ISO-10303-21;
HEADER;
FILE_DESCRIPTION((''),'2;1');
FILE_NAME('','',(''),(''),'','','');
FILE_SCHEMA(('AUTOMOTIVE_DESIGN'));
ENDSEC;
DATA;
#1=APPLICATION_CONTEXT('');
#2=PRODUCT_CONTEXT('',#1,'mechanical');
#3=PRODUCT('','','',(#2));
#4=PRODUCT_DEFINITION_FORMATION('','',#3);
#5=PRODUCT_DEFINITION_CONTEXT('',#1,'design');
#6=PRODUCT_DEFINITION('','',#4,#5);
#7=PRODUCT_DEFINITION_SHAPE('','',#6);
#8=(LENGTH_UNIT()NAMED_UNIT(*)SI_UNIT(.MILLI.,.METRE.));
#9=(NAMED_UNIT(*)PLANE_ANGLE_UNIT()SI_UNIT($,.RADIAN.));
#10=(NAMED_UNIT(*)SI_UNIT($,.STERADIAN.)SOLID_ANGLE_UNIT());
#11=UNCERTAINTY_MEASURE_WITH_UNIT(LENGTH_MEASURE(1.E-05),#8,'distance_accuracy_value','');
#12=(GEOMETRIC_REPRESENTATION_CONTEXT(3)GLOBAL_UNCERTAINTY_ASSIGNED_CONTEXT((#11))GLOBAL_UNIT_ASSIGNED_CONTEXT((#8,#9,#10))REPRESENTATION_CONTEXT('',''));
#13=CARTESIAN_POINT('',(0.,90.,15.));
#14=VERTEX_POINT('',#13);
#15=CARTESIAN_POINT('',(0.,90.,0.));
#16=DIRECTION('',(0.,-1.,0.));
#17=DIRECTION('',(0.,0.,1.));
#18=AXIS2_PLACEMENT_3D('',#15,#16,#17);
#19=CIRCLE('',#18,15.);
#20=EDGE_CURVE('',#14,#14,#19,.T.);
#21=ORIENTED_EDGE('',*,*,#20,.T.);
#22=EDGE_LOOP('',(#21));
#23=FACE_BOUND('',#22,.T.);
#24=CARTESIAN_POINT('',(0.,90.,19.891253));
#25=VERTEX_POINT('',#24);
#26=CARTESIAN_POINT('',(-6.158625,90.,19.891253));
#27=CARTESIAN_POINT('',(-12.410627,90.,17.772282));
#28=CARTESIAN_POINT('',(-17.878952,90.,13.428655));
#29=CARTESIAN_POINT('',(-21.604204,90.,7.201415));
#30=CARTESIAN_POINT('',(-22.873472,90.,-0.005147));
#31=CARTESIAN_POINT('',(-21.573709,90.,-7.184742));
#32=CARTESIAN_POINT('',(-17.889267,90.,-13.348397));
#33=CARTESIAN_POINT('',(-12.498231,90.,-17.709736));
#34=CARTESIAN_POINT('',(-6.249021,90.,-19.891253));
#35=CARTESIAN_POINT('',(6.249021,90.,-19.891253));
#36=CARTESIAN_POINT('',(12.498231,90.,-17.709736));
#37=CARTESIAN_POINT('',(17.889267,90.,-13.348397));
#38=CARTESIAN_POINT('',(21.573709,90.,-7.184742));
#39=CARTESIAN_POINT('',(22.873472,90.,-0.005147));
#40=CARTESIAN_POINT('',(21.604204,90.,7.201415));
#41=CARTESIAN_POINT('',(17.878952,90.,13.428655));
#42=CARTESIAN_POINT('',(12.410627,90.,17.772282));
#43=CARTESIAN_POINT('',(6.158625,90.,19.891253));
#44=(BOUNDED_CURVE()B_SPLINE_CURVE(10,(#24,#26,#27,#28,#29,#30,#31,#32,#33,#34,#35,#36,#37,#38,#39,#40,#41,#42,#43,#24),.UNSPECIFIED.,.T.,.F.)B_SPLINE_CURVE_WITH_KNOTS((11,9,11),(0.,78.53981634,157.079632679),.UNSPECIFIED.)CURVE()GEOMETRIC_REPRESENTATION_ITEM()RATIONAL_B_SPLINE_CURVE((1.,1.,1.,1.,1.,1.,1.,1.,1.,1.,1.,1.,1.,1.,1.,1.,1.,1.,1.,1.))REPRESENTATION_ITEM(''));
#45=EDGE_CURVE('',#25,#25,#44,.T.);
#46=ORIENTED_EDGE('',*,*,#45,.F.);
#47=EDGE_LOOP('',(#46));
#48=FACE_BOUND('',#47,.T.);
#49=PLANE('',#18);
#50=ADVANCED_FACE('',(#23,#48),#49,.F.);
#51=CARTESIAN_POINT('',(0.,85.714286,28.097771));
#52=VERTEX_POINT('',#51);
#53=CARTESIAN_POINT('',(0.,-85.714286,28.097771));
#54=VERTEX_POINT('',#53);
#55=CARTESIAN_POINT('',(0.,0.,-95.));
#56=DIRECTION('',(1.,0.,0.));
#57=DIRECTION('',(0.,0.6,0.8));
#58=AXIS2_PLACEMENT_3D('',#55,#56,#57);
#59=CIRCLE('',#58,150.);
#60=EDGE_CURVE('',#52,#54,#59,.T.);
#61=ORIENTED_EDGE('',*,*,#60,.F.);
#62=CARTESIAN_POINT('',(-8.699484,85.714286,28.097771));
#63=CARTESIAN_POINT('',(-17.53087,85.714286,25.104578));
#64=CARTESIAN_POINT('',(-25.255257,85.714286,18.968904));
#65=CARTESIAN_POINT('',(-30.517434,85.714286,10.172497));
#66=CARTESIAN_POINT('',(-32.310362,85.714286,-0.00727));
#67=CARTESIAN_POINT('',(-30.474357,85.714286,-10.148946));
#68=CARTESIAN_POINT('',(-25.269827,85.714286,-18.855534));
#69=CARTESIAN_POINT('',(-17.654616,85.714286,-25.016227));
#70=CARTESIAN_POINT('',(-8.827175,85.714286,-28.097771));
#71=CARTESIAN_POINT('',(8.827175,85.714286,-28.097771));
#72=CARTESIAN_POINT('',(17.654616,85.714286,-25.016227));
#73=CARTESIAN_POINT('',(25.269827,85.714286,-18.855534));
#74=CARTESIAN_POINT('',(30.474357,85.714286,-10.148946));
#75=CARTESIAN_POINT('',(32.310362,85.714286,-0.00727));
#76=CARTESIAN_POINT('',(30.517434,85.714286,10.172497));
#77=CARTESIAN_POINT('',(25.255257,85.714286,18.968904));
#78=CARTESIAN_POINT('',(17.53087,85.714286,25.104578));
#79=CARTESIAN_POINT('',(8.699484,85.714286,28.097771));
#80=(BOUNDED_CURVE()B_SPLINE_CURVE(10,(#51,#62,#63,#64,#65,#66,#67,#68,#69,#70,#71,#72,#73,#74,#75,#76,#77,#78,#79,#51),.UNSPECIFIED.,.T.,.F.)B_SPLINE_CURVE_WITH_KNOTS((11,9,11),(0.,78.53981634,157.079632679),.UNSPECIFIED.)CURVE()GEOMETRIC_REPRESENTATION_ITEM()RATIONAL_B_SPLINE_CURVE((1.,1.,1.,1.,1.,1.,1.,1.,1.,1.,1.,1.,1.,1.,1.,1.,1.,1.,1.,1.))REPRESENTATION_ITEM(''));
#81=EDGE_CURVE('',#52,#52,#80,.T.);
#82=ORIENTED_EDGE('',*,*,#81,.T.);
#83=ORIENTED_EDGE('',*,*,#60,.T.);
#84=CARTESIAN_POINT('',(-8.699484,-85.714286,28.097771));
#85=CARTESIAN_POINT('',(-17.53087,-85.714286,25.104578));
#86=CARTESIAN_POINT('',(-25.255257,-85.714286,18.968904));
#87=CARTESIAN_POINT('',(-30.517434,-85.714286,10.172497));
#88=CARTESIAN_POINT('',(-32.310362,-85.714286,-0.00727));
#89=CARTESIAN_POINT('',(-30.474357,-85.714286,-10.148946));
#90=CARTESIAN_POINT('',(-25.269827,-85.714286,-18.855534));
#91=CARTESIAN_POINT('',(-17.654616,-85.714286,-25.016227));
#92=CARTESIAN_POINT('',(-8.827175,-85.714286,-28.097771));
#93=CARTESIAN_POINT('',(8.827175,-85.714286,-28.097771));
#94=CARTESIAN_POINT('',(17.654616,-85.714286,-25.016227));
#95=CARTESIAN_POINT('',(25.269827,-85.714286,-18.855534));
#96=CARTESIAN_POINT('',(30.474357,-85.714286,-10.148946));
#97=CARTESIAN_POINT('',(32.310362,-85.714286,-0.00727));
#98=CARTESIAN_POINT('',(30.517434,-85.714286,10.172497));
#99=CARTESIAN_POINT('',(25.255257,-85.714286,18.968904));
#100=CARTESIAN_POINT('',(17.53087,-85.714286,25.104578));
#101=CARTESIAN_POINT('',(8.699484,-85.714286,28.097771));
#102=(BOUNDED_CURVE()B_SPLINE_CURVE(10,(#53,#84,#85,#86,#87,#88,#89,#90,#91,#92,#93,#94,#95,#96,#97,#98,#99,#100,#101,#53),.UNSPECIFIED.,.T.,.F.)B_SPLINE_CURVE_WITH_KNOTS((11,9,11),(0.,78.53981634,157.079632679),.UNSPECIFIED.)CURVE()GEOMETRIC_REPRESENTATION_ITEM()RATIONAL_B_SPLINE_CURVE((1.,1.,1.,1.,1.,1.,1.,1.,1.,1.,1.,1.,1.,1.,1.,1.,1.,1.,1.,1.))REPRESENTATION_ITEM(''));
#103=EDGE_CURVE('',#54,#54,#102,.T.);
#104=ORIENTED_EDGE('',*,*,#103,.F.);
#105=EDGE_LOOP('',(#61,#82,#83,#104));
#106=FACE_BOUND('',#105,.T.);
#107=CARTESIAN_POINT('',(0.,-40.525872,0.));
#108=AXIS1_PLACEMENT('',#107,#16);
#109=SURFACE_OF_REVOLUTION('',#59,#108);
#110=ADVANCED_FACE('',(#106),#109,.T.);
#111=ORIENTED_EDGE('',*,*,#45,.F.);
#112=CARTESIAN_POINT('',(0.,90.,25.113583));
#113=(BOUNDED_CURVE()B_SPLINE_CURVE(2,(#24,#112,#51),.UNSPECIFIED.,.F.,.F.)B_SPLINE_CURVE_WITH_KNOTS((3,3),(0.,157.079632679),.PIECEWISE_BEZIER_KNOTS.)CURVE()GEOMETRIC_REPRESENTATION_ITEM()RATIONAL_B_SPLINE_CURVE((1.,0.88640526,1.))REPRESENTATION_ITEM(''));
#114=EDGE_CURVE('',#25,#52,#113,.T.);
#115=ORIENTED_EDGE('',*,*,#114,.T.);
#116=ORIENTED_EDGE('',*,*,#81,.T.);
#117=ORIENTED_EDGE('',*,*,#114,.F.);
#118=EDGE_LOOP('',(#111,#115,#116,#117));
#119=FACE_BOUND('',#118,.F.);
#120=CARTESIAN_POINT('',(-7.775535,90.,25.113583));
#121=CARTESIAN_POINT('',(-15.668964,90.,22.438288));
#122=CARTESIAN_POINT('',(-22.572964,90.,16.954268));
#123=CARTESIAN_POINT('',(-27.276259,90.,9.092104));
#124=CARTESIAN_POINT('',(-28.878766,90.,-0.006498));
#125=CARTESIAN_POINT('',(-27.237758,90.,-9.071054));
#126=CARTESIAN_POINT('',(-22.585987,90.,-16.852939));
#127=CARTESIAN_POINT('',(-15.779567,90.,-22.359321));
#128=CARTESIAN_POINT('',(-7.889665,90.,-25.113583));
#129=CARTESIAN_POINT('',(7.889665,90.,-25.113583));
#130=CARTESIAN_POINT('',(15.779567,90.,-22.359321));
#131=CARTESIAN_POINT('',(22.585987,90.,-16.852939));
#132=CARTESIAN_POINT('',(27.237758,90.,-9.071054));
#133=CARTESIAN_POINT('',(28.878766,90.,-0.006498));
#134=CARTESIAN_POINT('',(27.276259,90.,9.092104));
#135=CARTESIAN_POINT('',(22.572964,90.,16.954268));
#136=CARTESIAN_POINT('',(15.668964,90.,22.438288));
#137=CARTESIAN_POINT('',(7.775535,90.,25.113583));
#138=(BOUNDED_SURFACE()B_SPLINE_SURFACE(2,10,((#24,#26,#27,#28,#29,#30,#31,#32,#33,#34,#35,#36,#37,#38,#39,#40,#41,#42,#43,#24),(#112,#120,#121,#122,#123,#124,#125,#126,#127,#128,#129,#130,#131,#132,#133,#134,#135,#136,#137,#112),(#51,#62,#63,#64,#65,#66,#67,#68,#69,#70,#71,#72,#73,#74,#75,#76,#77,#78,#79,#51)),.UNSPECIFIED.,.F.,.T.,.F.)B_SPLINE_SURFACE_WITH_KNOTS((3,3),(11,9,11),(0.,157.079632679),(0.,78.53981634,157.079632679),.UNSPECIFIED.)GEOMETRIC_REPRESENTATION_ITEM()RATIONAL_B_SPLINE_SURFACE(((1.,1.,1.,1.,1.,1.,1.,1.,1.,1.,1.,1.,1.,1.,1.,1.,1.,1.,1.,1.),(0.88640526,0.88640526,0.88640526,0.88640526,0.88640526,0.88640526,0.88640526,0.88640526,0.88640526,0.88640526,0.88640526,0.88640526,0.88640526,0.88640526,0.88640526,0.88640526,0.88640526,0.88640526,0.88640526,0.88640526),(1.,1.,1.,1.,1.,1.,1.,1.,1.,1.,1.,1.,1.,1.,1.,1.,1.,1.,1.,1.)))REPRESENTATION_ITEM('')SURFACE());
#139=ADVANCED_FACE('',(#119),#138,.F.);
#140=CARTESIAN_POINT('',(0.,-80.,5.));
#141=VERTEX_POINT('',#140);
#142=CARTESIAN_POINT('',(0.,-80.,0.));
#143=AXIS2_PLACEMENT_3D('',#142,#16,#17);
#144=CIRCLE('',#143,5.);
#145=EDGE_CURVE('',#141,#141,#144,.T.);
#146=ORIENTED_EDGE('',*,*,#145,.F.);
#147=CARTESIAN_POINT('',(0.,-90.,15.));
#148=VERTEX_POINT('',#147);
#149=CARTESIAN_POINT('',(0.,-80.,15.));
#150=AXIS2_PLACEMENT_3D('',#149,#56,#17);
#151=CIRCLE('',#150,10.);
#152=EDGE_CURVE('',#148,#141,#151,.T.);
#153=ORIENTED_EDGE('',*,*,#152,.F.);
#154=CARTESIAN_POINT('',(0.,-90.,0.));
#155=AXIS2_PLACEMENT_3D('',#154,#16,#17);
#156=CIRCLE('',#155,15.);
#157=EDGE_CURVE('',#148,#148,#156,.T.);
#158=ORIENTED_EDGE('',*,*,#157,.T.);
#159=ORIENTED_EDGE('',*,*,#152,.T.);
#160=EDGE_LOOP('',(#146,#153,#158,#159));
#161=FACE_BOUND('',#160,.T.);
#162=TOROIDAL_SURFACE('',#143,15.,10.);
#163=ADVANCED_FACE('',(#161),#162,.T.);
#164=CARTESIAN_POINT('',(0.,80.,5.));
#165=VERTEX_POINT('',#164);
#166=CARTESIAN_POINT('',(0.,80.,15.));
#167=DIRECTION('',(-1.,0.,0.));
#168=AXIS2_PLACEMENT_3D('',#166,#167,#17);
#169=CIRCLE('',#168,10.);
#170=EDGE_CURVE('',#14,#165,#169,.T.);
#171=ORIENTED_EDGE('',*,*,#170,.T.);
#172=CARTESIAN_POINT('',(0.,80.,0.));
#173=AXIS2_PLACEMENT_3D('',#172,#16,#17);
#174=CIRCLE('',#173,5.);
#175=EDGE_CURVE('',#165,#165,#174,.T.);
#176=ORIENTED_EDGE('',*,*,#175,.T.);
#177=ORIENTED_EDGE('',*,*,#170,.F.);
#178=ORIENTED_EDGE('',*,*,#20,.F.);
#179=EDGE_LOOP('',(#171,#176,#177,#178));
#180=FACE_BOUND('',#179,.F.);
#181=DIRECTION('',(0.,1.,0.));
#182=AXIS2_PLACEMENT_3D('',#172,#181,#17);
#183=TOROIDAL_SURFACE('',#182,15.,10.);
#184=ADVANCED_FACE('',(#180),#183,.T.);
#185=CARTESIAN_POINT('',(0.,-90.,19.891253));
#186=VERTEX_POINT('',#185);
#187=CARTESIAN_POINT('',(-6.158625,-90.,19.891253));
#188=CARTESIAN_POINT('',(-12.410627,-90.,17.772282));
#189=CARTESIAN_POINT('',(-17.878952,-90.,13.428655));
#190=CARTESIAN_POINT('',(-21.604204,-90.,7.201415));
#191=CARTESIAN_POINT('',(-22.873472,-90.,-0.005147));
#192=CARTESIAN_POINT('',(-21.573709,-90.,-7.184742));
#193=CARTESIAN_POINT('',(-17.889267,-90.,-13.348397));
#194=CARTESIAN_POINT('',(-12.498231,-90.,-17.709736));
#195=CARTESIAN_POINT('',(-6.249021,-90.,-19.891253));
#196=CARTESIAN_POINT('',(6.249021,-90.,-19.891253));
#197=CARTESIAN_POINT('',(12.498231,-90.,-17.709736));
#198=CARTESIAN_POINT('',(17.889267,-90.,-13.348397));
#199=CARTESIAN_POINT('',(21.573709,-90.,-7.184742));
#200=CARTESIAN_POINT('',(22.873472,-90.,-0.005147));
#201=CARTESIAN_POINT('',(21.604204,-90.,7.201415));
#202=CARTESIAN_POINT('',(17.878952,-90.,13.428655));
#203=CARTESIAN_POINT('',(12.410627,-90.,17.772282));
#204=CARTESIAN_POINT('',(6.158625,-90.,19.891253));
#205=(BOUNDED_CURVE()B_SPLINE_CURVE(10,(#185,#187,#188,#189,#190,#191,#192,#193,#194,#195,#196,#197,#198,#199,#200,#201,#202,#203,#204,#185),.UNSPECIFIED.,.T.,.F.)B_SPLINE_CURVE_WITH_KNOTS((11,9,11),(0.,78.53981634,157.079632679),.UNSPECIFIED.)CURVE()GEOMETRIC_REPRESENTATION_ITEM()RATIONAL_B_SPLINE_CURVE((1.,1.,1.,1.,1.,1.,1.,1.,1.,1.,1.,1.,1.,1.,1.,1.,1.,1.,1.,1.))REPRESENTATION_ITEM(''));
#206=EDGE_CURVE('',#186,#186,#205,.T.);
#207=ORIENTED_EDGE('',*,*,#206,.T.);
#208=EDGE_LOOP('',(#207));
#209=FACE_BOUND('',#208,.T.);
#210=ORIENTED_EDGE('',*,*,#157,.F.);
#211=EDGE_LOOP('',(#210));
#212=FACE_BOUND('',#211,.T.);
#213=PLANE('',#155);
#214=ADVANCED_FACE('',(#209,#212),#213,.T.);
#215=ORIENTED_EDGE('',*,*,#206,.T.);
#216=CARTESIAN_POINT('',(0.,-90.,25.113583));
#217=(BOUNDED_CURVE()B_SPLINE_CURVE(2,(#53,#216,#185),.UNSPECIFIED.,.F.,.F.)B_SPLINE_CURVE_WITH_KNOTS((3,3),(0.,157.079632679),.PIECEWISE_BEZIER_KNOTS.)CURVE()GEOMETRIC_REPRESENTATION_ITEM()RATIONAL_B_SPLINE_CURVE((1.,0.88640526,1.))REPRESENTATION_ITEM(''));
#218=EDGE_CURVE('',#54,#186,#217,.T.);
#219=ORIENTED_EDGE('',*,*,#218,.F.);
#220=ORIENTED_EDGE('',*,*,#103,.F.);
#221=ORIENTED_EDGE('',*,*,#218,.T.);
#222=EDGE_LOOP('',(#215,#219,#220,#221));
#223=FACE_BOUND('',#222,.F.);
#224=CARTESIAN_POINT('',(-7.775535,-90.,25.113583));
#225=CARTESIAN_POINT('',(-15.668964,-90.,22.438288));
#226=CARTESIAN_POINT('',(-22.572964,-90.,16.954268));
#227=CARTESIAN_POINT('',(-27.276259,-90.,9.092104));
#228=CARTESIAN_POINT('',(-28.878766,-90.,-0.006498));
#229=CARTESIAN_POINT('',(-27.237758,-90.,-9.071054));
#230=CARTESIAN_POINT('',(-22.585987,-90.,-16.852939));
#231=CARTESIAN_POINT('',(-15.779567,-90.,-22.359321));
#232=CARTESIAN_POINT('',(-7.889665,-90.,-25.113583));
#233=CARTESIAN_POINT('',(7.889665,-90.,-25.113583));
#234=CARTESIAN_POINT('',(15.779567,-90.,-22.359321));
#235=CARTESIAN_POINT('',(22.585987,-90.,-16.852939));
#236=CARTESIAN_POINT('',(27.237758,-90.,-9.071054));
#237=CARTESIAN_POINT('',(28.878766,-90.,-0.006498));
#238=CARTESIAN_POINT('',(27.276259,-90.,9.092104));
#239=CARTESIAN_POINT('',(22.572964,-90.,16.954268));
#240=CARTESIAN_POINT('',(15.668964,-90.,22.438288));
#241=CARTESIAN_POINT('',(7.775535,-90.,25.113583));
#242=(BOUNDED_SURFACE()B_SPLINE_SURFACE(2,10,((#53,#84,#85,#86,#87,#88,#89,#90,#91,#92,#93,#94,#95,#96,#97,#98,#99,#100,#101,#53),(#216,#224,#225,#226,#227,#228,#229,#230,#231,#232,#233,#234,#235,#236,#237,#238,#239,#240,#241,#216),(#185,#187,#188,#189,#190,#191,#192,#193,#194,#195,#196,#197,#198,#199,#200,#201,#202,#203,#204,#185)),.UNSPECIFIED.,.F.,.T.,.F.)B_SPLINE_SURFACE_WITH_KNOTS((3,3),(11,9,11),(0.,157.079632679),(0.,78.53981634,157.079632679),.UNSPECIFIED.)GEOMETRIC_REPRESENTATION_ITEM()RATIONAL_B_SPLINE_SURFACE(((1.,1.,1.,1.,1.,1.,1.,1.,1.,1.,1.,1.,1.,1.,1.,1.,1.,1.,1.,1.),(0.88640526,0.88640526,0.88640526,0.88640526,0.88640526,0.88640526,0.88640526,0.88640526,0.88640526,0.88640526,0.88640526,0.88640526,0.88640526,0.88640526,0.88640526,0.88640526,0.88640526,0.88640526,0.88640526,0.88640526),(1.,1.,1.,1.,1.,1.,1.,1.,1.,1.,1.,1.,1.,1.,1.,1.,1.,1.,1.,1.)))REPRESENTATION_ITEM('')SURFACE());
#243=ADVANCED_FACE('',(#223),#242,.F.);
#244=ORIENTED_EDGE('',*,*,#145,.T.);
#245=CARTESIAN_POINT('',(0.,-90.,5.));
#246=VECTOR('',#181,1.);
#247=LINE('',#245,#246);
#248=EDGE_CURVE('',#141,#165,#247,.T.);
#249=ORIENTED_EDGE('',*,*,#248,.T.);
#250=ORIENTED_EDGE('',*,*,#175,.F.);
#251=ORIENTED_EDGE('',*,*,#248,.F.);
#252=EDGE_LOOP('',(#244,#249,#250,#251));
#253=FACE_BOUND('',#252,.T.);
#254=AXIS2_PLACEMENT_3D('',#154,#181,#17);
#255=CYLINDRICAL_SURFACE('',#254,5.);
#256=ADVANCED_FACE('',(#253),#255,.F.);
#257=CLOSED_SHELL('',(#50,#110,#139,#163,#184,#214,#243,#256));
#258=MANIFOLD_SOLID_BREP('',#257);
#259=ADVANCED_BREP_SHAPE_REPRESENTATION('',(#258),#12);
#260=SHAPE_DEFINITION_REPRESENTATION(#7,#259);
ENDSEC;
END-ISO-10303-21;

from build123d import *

# Parameters (mm, degrees)
F3_R = 10


with BuildPart() as f2:
    # F0 (on Right) → F2 (revolve)
    with BuildSketch(Plane.YZ):
        with BuildLine():
            Line((90, 5), (90, 25))
            ThreePointArc((90, 25), (0, 55), (-90, 25))
            Line((-90, 25), (-90, 5))
            Line((-90, 5), (90, 5))
        make_face()
    revolve(axis=Axis((0, -40.525872, 0), (0, -1, 0)))

    # F3
    f3_edges = [f2.edges().sort_by_distance(p)[0] for p in [
        (0, -90, -25),
        (0, -90, -5),
        (0, 90, -5),
        (0, 90, -25),
    ]]
    fillet(f3_edges, radius=F3_R)


solid = f2.part
